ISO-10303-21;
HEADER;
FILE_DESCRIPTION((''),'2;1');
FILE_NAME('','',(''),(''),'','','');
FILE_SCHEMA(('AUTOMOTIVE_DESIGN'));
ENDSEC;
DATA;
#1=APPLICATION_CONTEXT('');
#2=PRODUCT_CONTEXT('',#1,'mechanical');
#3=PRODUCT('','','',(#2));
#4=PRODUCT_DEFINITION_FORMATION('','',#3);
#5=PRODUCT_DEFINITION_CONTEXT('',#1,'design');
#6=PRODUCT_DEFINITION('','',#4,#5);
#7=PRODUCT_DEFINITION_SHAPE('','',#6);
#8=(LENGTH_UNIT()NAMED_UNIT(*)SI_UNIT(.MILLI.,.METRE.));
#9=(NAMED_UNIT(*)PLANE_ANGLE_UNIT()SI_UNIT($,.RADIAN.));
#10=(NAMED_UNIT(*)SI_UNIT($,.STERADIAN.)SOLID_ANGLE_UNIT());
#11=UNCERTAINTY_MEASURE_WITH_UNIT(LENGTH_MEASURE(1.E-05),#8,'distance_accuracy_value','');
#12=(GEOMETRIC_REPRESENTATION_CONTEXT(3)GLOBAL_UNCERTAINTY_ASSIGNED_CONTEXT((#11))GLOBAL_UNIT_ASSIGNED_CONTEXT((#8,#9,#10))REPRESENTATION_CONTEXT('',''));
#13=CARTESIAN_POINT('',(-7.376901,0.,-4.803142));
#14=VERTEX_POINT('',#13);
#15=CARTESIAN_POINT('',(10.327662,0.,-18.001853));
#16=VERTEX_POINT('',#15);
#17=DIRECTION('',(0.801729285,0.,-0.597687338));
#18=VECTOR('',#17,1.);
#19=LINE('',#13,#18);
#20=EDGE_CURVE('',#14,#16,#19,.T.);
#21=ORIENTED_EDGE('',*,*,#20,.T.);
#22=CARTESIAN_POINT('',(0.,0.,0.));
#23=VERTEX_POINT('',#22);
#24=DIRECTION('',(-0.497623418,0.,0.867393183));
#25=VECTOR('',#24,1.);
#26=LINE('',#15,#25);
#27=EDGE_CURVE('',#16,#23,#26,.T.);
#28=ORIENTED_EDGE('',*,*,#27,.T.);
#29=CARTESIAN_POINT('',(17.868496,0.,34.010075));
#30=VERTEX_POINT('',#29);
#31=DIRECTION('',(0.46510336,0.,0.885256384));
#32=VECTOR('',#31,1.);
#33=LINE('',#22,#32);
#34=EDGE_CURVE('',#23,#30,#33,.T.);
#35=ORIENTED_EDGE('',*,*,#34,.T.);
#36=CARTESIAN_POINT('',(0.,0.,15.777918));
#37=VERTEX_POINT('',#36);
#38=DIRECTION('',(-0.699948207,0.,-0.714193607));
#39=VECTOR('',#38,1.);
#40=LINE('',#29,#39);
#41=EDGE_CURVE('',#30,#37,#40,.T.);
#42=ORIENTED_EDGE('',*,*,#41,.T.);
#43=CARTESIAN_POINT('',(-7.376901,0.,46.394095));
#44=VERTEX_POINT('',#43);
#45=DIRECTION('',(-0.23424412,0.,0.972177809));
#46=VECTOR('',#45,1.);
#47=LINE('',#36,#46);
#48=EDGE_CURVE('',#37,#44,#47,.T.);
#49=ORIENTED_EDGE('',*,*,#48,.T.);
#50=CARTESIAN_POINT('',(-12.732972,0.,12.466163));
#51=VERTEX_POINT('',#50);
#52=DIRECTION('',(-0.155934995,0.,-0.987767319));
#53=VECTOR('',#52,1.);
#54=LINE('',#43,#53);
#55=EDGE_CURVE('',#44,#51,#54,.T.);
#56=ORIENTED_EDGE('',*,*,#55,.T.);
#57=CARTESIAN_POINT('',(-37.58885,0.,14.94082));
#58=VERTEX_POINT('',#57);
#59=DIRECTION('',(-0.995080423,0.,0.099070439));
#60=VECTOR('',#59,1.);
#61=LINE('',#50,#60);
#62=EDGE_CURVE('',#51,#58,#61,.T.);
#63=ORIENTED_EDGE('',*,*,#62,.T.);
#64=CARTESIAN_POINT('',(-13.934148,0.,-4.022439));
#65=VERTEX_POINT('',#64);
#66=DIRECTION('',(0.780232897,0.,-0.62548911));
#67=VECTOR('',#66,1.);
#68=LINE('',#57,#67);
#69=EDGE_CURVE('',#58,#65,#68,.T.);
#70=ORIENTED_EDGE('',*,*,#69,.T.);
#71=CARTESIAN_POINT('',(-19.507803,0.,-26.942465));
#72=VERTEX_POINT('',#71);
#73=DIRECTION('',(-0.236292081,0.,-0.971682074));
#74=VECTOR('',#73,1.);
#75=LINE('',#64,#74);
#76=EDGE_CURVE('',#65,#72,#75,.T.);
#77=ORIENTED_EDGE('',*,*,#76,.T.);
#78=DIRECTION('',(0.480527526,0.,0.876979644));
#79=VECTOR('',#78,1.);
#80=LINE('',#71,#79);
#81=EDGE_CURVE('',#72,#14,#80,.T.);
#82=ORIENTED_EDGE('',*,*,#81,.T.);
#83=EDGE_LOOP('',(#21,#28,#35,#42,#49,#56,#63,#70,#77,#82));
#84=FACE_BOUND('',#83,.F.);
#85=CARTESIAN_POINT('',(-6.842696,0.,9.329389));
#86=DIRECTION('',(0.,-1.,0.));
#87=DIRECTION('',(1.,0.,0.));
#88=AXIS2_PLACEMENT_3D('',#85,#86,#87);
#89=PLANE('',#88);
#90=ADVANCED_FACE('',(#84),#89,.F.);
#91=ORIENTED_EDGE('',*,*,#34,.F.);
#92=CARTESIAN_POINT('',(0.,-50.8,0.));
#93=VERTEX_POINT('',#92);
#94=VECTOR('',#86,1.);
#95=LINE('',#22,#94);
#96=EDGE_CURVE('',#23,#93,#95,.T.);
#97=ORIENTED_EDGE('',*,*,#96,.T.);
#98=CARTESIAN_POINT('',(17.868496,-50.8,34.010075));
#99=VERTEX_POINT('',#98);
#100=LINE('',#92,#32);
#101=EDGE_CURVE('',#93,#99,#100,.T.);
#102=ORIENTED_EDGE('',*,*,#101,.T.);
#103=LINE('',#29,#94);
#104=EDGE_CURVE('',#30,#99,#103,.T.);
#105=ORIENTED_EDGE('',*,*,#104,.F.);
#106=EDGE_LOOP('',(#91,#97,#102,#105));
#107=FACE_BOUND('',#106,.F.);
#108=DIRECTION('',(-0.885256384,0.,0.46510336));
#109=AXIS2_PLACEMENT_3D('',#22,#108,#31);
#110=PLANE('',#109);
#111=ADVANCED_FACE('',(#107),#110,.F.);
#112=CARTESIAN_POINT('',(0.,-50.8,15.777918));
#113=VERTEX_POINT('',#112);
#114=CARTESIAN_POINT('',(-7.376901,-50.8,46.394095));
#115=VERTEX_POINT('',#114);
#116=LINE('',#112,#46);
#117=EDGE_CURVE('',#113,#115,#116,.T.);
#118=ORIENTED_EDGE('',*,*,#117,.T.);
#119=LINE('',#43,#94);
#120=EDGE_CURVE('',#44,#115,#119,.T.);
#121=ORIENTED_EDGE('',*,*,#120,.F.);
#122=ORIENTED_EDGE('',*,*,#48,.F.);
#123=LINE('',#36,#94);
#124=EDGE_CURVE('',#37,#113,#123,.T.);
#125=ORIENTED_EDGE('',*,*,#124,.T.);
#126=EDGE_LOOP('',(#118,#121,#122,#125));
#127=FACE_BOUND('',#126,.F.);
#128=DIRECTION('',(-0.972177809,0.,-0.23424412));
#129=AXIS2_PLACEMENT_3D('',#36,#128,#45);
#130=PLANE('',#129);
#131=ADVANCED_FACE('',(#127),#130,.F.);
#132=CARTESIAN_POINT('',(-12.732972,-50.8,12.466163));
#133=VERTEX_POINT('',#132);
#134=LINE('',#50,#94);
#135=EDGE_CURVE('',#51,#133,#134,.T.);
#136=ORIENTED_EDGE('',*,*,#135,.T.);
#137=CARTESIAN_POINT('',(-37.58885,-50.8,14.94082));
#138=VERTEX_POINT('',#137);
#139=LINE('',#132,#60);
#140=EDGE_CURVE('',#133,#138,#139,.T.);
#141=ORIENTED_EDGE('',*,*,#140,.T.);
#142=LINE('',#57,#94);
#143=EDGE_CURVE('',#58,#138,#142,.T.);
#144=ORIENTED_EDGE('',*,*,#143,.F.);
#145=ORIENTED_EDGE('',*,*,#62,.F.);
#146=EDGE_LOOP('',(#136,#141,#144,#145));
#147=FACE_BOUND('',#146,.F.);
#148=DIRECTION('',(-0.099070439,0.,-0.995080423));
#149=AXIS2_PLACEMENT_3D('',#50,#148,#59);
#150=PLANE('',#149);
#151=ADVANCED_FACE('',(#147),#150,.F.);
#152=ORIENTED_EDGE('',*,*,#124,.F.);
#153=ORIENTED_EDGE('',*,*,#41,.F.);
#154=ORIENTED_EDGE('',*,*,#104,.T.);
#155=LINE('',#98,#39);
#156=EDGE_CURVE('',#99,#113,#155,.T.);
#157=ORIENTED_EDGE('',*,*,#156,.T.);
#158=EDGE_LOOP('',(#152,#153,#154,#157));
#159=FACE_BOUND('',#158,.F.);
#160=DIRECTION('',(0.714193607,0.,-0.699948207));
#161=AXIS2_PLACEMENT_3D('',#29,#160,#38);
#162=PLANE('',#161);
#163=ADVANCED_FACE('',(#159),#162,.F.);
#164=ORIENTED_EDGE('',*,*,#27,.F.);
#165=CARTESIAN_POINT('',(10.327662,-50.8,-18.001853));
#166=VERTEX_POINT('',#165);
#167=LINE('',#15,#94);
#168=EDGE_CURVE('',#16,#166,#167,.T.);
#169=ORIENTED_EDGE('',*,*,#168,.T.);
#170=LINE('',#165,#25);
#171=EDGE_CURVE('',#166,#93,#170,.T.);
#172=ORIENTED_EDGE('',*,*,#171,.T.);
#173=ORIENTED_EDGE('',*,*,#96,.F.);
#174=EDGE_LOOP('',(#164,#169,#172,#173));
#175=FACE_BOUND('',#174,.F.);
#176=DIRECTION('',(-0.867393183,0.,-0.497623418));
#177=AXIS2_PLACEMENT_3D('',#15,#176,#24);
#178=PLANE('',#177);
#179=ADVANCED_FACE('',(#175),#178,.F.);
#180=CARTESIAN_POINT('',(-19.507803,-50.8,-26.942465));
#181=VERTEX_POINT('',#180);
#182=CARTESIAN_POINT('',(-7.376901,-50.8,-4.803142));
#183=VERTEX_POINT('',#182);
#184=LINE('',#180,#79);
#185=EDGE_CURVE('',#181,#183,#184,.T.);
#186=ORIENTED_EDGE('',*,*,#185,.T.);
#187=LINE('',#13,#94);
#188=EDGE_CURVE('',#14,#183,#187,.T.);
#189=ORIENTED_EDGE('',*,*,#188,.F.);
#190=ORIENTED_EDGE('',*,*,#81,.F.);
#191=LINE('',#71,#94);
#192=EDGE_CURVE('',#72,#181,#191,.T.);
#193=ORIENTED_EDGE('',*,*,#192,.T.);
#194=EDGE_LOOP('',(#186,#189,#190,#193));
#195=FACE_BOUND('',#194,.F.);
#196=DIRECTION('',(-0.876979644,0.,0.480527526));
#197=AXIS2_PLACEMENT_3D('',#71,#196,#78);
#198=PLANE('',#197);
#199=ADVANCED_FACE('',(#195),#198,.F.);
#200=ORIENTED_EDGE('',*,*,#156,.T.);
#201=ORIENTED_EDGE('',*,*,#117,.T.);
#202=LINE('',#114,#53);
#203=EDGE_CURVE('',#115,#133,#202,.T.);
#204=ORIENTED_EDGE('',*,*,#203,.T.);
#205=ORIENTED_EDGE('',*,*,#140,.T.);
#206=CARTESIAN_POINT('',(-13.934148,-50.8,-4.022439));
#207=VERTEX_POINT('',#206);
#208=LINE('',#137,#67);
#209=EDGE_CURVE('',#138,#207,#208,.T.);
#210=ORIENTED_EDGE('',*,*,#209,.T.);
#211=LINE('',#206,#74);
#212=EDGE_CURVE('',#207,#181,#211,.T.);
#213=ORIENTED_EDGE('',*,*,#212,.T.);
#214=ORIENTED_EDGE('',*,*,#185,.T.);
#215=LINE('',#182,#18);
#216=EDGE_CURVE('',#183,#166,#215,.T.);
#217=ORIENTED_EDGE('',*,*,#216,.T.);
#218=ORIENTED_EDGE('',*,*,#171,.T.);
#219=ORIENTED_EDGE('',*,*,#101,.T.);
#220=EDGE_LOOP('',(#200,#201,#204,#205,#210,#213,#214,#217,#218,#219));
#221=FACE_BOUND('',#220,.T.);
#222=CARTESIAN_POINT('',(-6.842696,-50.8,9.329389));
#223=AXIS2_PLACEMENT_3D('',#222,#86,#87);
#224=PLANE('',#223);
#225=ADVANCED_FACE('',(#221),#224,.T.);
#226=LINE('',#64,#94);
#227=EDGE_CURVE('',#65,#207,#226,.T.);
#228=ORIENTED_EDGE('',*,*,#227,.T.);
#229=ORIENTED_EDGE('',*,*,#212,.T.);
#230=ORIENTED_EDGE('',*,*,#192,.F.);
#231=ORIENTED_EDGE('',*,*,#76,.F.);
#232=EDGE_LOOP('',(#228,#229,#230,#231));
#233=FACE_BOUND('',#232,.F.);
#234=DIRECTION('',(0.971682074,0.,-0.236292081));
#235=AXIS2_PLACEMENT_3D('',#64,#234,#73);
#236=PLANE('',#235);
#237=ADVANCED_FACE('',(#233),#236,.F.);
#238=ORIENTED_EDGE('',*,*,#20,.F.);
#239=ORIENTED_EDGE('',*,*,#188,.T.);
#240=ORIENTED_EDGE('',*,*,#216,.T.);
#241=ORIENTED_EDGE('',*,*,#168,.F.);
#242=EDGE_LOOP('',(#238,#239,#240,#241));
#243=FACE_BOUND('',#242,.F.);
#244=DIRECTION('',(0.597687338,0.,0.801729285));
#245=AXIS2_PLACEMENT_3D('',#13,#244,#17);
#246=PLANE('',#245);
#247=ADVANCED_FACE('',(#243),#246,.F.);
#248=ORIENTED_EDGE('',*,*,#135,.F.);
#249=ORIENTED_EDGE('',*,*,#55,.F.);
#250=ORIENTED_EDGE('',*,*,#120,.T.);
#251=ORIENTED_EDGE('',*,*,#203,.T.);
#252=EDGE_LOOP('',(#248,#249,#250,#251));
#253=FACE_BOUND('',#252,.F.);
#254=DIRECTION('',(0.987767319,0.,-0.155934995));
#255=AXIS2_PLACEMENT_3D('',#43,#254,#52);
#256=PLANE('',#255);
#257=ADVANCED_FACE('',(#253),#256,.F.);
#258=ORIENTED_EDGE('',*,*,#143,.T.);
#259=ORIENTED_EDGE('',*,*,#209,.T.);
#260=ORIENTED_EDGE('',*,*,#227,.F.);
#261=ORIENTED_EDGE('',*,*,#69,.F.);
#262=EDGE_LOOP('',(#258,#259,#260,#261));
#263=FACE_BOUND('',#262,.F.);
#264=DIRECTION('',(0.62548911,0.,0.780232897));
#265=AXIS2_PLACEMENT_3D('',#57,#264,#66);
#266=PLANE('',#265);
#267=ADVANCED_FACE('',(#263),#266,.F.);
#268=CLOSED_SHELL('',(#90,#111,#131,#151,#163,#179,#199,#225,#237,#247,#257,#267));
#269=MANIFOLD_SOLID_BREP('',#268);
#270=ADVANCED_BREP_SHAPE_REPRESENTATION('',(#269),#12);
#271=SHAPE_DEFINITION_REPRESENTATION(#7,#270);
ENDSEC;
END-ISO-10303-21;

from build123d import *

# Parameters (mm, degrees)
F1_DEPTH = 50.8


with BuildPart() as f1:
    # F0 (on Front) → F1 (new body)
    with BuildSketch(Plane.XZ):
        Polygon((0, 15.777918), (-7.376901, 46.394095), (-12.732972, 12.466163), (-37.58885, 14.94082), (-13.934148, -4.022439), (-19.507803, -26.942465), (-7.376901, -4.803142), (10.327662, -18.001853), (0, 0), (17.868496, 34.010075), align=None)
    extrude(amount=F1_DEPTH)


solid = f1.part
